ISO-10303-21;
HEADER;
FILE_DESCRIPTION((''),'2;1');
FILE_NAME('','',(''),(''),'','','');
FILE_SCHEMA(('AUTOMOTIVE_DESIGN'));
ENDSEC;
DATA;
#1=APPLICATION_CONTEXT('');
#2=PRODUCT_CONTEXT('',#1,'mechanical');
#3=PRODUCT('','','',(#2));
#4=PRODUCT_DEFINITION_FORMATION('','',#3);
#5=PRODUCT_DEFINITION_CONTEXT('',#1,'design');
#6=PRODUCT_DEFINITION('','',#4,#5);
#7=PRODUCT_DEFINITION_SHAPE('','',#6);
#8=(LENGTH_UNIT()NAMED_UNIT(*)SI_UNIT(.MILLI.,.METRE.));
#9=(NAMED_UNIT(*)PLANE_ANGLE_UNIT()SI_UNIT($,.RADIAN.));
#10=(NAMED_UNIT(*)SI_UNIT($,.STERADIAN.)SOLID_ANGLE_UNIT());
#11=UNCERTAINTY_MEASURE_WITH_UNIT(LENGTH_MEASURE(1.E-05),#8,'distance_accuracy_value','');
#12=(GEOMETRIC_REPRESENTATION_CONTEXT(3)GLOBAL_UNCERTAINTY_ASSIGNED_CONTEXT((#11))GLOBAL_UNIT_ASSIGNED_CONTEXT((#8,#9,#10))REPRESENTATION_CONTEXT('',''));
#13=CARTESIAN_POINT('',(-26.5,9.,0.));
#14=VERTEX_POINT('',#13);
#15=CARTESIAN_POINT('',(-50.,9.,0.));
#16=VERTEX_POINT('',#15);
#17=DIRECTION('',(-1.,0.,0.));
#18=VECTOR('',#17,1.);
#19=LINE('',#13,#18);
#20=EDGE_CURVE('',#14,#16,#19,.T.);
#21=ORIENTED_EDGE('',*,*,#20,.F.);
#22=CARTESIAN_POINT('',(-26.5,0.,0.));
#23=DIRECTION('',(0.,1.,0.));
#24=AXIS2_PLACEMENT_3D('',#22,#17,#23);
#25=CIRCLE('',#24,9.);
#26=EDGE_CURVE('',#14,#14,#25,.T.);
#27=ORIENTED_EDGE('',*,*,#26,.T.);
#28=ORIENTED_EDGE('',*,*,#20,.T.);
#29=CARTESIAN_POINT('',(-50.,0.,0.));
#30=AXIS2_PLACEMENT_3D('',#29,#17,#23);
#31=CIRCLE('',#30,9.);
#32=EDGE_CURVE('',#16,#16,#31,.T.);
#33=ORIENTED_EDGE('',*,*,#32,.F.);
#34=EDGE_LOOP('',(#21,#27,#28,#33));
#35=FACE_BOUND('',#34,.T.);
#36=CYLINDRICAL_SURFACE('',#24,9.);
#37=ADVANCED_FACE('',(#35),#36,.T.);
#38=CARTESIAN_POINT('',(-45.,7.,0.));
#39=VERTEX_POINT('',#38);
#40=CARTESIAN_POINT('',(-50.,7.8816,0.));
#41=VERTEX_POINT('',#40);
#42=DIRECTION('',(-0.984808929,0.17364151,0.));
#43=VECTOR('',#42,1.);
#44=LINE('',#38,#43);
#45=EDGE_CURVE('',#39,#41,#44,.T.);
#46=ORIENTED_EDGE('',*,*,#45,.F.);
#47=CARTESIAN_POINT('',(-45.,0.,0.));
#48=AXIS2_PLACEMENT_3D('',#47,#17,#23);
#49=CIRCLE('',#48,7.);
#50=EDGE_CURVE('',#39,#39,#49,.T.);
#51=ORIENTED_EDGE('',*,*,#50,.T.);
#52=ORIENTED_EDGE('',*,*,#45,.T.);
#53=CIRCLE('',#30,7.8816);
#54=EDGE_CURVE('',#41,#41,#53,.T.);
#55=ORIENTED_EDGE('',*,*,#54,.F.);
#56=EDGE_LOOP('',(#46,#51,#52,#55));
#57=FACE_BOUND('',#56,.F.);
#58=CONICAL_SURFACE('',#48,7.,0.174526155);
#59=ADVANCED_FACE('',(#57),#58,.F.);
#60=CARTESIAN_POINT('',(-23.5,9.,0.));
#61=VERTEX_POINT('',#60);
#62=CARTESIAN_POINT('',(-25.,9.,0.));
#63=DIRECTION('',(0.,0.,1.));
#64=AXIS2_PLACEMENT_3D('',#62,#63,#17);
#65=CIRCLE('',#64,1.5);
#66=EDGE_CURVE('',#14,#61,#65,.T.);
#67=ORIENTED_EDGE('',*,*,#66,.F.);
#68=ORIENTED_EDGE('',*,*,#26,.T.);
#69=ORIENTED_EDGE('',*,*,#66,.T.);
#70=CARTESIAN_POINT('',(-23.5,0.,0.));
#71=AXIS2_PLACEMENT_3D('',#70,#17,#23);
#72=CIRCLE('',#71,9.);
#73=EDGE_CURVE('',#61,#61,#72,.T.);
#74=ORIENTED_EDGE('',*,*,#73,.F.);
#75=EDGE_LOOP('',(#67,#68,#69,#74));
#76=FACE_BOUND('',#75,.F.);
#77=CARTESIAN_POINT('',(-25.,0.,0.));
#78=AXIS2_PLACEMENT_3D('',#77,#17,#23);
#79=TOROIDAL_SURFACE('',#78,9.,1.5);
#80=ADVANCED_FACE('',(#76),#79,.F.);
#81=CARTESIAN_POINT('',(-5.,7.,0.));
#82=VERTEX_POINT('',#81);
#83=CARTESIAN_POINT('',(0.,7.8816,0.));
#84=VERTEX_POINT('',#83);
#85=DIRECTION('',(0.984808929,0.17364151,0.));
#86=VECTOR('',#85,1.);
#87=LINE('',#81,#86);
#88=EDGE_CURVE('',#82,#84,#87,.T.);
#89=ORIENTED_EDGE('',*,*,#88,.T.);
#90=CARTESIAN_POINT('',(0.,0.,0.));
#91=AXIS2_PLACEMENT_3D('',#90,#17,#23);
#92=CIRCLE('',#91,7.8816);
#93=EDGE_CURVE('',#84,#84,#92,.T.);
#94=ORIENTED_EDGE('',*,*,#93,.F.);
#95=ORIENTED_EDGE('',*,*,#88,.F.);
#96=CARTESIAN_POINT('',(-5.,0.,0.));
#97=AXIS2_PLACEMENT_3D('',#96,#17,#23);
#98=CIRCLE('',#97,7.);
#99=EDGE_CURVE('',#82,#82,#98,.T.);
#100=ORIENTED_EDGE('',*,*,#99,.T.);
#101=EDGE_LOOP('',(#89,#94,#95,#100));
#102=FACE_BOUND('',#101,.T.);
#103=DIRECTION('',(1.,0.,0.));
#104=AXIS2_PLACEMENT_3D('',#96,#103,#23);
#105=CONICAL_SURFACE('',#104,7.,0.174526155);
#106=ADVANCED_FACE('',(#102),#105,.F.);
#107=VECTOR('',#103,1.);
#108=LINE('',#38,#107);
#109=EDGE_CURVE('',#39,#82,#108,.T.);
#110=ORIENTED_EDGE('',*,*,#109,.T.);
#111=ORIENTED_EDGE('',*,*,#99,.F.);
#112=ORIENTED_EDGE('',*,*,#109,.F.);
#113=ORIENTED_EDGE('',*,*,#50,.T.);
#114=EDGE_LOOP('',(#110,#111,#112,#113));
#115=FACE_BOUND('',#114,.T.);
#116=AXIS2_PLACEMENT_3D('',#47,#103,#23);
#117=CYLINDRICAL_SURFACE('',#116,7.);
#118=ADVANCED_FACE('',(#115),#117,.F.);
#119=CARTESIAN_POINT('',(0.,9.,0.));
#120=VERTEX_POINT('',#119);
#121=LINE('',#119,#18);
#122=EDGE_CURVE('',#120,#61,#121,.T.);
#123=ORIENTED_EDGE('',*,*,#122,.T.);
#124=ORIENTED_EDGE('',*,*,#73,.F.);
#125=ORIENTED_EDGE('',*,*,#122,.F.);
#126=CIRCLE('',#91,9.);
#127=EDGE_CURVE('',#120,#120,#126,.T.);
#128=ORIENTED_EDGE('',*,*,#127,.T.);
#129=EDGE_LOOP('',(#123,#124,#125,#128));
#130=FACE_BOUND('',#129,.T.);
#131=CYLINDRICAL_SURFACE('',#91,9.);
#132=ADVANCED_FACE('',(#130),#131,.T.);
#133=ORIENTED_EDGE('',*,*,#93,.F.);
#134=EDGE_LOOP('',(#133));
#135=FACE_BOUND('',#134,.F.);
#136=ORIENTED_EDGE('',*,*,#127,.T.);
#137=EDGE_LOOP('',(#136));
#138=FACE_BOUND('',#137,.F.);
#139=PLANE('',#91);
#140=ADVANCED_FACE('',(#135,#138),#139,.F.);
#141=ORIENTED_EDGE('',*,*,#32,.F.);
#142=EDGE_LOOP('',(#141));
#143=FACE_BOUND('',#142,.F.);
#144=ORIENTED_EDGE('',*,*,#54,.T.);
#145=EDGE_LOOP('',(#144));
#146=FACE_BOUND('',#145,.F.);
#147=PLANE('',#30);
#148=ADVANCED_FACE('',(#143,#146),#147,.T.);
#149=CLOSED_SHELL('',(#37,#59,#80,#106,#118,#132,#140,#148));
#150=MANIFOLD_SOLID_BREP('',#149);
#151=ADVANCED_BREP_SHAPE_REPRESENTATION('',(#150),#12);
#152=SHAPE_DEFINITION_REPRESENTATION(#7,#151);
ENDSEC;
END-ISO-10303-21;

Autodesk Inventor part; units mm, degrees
ref_plane "YZ Plane" through (0, 0, 0) normal (1, 0, 0) x (0, 1, 0)
ref_plane "XZ Plane" through (0, 0, 0) normal (0, 1, 0) x (-1, 0, 0)
ref_plane "XY Plane" through (0, 0, 0) normal (0, 0, 1) x (1, 0, 0)
sketch "Esboço1" plane through (0, 0, 0) normal (1, 0, 0) x (0, 1, 0)
  point P0 (0, 0)
sketch "Esboço2" plane through (0, 0, 0) normal (0, 0, 1) x (1, 0, 0)
  line L0 (0, 0) -> (-50, 0)
  arc A0 (-26.5, 9) -> (-23.5, 9) centre (-25, 9) ccw
  line L1 (0, 9) -> (-23.5, 9)
  line L2 (-26.5, 9) -> (-50, 9)
  line L3 (-45, 7) -> (-5, 7)
  line L4 (-50, 7.8816) -> (-50, 9)
  line L5 (-5, 7) -> (0, 7.8816)
  line L6 (-45, 7) -> (-50, 7.8816)
  line L7 (0, 9) -> (0, 7.8816)
  dimension "d4" = 50
  dimension "d6" = 3
  dimension "d11" = 10
  dimension "d14" = 5
  dimension "d17" = 10
  dimension "d19" = 5
  dimension "d20" = 14
  dimension "d21" = 18
revolve "Revolução1" add sketch "Esboço2" angle 360 about axis through (0, 0, 0) along (-1, 0, 0)
properties part number "01"
